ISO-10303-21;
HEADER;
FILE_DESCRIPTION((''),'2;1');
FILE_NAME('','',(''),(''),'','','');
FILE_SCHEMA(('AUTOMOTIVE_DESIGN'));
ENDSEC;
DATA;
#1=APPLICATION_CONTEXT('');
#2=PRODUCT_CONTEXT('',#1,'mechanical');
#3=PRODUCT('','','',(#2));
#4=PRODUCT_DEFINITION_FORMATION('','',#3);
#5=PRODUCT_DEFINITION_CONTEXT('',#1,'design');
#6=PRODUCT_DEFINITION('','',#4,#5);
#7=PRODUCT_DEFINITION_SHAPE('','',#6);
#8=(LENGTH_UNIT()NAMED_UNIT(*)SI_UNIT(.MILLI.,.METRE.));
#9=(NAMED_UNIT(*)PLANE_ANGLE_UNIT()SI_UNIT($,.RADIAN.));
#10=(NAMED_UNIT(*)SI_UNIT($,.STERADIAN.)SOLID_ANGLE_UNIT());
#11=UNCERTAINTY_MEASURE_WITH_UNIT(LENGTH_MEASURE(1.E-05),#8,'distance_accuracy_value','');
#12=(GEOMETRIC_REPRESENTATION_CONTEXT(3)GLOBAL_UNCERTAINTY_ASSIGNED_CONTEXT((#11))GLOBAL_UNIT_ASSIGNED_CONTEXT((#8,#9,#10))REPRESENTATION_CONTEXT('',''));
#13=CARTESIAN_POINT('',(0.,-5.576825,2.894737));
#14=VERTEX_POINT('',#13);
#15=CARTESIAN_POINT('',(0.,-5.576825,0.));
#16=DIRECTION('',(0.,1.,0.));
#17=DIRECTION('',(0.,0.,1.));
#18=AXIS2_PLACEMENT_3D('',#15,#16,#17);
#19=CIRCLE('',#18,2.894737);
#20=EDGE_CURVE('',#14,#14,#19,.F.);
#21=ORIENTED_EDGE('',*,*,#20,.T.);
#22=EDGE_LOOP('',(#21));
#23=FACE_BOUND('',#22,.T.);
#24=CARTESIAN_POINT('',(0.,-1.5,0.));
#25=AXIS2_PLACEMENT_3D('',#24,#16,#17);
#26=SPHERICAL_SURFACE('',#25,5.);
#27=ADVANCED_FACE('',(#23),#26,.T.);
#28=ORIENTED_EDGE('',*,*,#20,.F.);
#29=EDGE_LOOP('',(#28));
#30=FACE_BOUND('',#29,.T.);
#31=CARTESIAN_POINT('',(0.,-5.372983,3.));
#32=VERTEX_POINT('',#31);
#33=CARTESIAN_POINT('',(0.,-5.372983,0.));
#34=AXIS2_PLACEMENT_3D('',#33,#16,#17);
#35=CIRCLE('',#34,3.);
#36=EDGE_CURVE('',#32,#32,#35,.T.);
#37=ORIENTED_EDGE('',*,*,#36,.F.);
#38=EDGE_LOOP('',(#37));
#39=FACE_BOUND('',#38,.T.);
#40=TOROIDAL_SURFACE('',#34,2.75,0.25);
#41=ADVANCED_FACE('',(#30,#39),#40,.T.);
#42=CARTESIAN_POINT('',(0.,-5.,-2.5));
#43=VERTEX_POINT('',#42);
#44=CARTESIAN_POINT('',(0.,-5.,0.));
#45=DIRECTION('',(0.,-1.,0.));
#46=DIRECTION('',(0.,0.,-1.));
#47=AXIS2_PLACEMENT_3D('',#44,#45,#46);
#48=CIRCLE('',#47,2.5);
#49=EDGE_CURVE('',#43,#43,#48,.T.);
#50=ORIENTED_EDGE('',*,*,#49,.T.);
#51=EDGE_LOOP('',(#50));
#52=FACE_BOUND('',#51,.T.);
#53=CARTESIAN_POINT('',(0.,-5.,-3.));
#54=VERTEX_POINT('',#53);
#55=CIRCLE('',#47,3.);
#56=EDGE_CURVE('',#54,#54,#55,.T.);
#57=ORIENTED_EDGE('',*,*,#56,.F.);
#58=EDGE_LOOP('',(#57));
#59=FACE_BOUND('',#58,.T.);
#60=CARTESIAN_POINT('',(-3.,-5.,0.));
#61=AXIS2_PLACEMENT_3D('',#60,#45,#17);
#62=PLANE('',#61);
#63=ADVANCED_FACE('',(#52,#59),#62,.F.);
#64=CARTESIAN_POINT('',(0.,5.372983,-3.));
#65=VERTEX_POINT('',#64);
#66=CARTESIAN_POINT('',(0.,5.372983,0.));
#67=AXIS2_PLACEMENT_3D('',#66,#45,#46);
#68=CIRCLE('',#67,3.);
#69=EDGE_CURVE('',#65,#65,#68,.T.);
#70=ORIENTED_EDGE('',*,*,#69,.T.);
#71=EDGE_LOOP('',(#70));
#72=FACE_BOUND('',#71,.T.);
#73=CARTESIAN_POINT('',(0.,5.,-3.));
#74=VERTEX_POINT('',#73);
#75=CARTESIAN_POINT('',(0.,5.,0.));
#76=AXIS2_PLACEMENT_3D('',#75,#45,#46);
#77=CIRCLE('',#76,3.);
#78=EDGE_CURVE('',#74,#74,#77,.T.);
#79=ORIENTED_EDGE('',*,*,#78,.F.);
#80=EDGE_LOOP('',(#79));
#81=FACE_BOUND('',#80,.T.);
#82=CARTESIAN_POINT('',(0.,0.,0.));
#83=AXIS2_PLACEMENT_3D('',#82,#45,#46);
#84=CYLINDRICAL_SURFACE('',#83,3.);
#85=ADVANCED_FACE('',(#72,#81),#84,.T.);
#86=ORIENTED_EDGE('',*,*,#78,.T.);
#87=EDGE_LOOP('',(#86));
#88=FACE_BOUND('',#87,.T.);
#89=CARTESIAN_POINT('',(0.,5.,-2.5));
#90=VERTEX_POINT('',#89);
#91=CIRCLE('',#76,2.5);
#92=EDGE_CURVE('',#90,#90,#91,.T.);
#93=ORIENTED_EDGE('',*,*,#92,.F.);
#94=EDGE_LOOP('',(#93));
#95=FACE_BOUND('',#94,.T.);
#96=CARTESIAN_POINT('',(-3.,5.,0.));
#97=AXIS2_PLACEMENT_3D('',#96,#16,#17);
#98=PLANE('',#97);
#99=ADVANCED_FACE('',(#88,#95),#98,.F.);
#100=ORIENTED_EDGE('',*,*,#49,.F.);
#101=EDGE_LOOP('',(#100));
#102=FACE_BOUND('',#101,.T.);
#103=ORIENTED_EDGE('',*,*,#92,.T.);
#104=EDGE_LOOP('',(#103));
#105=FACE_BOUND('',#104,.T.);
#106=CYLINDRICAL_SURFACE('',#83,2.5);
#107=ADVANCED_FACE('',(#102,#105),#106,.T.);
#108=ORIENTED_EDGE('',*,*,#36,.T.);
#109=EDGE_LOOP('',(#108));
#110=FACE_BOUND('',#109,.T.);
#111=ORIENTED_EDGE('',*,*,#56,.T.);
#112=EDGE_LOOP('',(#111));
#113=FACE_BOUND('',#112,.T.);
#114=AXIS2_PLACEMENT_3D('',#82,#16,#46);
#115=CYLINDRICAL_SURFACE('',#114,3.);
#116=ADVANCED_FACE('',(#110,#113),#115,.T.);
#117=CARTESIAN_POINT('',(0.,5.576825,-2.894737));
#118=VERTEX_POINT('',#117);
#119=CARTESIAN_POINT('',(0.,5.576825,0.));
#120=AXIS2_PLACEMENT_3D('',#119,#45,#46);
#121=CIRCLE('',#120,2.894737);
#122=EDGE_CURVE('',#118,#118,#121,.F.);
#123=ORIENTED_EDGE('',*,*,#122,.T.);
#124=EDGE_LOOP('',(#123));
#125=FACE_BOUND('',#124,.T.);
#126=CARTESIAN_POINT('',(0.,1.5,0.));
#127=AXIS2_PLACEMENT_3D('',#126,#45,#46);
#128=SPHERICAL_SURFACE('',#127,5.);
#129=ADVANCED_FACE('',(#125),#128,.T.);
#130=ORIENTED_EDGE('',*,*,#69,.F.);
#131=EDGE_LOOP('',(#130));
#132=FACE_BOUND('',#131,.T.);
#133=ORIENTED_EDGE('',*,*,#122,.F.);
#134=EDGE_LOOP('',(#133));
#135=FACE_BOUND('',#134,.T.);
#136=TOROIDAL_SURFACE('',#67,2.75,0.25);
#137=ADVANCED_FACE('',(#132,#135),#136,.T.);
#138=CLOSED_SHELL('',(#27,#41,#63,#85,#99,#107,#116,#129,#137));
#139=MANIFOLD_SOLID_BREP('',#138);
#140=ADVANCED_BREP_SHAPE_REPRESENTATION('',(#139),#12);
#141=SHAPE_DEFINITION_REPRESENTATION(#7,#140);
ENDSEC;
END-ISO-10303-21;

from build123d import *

# Parameters (mm, degrees)
DOME1_FACE_RADIUS          = 3
DOME1_HEIGHT               = 1
MIRROR1_COPY_1_FACE_RADIUS = 3
MIRROR1_COPY_1_HEIGHT      = 1
FILLET1_R                  = 0.25


with BuildPart() as part:
    # Sketch1 → Revolve1 (revolve)
    with BuildSketch(Plane.XY, mode=Mode.PRIVATE) as revolve1_sk:
        Polygon((0, 0), (0, 5.5), (-3, 5.5), (-3, 5), (-2.5, 5), (-2.5, 0), align=None)
    revolve1 = revolve(revolve1_sk.sketch.rotate(Axis((0, 0, 0), (0, 1, 0)), 270), axis=Axis((0, 0, 0), (0, 1, 0)))

    # Dome1: a dome of height H over a round flat face of radius A is a cap of a sphere of radius (A * A + H * H) / (2 * H)
    dome1_r = (DOME1_FACE_RADIUS * DOME1_FACE_RADIUS + DOME1_HEIGHT * DOME1_HEIGHT) / (2 * DOME1_HEIGHT)
    dome1_base = Plane((0, 5.5, 0), z_dir=(0, 1, 0))
    with Locations(dome1_base.offset(DOME1_HEIGHT - dome1_r)):
        dome1_ball = Sphere(dome1_r, mode=Mode.PRIVATE)
    add(split(dome1_ball, bisect_by=dome1_base, keep=Keep.TOP, mode=Mode.PRIVATE))

    # Mirror1: Revolve1 across plane
    add(revolve1.mirror(Plane(origin=(-2.5, 0, 0), x_dir=(0, 0, 1), z_dir=(0, 1, 0))))

    # Mirror1 copy 1: a dome of height H over a round flat face of radius A is a cap of a sphere of radius (A * A + H * H) / (2 * H)
    mirror1_copy_1_r = (MIRROR1_COPY_1_FACE_RADIUS * MIRROR1_COPY_1_FACE_RADIUS + MIRROR1_COPY_1_HEIGHT * MIRROR1_COPY_1_HEIGHT) / (2 * MIRROR1_COPY_1_HEIGHT)
    mirror1_copy_1_base = Plane((0, -5.5, 0), z_dir=(0, -1, 0))
    with Locations(mirror1_copy_1_base.offset(MIRROR1_COPY_1_HEIGHT - mirror1_copy_1_r)):
        mirror1_copy_1_ball = Sphere(mirror1_copy_1_r, mode=Mode.PRIVATE)
    add(split(mirror1_copy_1_ball, bisect_by=mirror1_copy_1_base, keep=Keep.TOP, mode=Mode.PRIVATE))

    # Fillet1
    fillet1_edges = [part.edges().sort_by_distance(p)[0] for p in [
        (0, -5.5, 3),
        (3, 5.5, 0),
    ]]
    fillet(fillet1_edges, radius=FILLET1_R)


solid = part.part
